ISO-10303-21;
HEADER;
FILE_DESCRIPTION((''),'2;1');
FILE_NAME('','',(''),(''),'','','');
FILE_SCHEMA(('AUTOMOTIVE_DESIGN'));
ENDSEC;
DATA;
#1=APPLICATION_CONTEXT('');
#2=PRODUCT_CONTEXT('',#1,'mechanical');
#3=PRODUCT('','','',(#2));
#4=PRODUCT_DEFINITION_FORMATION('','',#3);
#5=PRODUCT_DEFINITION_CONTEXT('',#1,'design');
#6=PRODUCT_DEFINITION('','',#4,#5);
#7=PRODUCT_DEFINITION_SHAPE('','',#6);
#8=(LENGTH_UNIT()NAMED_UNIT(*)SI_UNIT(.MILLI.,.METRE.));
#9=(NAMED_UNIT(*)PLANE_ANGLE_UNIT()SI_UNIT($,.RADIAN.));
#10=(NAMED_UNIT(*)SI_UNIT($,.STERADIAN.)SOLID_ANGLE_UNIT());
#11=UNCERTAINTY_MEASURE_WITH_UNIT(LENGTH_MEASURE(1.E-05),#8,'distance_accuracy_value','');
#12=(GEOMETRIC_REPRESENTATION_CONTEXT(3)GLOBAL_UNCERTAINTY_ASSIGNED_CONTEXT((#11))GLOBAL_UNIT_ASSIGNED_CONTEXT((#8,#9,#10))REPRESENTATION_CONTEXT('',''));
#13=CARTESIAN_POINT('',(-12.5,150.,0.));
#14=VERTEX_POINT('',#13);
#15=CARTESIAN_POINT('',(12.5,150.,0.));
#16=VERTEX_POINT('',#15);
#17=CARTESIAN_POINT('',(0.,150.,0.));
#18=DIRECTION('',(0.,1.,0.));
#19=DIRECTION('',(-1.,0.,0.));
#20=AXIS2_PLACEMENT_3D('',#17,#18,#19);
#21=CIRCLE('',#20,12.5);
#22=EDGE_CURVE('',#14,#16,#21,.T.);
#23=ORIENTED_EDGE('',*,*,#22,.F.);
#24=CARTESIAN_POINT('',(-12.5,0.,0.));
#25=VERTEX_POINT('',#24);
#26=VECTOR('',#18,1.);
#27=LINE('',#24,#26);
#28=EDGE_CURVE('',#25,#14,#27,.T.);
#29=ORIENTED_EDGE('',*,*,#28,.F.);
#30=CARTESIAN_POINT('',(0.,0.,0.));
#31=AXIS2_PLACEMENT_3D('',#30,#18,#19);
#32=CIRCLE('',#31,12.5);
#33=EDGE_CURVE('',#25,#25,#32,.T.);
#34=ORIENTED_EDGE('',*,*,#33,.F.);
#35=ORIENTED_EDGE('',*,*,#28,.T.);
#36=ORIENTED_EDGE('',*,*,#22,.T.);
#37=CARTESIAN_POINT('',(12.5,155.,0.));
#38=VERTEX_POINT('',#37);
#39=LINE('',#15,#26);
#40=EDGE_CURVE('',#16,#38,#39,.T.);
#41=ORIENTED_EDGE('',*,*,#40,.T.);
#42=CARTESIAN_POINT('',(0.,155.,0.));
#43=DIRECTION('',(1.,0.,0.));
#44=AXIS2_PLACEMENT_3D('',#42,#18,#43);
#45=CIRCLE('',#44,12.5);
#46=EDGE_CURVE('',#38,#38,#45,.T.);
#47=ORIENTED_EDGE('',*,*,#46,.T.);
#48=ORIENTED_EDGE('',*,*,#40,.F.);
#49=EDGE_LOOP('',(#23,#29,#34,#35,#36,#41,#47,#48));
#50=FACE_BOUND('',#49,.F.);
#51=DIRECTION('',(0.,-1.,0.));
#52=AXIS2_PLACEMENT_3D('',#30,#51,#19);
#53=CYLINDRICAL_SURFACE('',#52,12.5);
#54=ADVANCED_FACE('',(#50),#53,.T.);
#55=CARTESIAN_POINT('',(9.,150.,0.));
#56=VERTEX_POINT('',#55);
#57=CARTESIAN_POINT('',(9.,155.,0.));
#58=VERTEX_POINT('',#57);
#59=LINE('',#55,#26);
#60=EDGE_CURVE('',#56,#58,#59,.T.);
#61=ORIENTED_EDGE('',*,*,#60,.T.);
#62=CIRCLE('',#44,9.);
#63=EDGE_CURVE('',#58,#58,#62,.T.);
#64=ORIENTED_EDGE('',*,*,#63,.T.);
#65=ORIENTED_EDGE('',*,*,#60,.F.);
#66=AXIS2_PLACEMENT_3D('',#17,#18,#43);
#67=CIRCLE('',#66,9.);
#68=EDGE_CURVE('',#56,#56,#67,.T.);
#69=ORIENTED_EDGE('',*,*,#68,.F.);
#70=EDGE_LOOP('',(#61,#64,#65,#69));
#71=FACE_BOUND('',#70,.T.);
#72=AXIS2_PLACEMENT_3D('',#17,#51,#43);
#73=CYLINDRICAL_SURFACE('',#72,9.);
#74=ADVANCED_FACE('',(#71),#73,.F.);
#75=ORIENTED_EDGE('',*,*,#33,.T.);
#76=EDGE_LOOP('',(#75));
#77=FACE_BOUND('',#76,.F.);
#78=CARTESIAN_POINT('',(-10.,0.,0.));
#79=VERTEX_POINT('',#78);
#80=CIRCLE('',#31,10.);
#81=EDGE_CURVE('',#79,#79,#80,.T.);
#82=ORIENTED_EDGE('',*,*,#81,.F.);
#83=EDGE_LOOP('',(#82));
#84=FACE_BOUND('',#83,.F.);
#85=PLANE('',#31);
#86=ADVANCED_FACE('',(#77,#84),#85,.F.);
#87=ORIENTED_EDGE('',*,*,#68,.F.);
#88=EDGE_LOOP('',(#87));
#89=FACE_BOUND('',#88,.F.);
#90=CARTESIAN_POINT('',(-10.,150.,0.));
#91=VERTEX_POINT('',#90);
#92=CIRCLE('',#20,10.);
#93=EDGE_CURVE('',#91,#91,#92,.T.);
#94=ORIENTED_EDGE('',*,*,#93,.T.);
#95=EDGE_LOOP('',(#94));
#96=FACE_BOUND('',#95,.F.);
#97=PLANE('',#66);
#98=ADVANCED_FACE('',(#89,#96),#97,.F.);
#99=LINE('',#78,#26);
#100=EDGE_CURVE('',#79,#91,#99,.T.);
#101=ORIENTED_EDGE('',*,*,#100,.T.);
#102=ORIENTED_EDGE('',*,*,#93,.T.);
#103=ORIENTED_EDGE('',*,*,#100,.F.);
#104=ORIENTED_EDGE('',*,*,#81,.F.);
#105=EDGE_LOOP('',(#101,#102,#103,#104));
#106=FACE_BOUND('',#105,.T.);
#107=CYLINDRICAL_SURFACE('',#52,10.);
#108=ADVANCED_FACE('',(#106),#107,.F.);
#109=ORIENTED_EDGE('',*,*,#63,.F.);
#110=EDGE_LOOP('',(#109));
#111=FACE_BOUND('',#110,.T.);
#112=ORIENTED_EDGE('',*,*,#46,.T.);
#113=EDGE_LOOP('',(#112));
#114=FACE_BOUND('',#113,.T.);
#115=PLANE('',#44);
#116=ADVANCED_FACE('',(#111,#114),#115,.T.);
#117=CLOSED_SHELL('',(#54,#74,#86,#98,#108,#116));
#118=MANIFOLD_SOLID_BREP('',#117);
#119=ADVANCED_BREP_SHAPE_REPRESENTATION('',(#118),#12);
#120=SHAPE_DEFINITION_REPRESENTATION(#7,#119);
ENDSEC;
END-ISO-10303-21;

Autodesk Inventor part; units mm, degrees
ref_plane "YZ Plane" through (0, 0, 0) normal (1, 0, 0) x (0, 1, 0)
ref_plane "XZ Plane" through (0, 0, 0) normal (0, 1, 0) x (-1, 0, 0)
ref_plane "XY Plane" through (0, 0, 0) normal (0, 0, 1) x (1, 0, 0)
sketch "Sketch1" plane through (0, 0, 0) normal (0, 1, 0) x (-1, 0, 0)
  circle A0 centre (0, 0) radius 12.5
  circle A1 centre (0, 0) radius 10
  dimension "d0" = 25
  dimension "d3" = 20
extrude "Extrusion1" add sketch "Sketch1" along normal blind 150
sketch "Sketch2" plane through (0, 150, 0) normal (0, 1, 0) x (1, 0, 0)
  circle A0 centre (0, 0) radius 12.5 projected
  circle A1 centre (0, 0) radius 9
  dimension "d4" = 18
extrude "Extrusion2" add sketch "Sketch2" along normal blind 5
properties part number "piston"
